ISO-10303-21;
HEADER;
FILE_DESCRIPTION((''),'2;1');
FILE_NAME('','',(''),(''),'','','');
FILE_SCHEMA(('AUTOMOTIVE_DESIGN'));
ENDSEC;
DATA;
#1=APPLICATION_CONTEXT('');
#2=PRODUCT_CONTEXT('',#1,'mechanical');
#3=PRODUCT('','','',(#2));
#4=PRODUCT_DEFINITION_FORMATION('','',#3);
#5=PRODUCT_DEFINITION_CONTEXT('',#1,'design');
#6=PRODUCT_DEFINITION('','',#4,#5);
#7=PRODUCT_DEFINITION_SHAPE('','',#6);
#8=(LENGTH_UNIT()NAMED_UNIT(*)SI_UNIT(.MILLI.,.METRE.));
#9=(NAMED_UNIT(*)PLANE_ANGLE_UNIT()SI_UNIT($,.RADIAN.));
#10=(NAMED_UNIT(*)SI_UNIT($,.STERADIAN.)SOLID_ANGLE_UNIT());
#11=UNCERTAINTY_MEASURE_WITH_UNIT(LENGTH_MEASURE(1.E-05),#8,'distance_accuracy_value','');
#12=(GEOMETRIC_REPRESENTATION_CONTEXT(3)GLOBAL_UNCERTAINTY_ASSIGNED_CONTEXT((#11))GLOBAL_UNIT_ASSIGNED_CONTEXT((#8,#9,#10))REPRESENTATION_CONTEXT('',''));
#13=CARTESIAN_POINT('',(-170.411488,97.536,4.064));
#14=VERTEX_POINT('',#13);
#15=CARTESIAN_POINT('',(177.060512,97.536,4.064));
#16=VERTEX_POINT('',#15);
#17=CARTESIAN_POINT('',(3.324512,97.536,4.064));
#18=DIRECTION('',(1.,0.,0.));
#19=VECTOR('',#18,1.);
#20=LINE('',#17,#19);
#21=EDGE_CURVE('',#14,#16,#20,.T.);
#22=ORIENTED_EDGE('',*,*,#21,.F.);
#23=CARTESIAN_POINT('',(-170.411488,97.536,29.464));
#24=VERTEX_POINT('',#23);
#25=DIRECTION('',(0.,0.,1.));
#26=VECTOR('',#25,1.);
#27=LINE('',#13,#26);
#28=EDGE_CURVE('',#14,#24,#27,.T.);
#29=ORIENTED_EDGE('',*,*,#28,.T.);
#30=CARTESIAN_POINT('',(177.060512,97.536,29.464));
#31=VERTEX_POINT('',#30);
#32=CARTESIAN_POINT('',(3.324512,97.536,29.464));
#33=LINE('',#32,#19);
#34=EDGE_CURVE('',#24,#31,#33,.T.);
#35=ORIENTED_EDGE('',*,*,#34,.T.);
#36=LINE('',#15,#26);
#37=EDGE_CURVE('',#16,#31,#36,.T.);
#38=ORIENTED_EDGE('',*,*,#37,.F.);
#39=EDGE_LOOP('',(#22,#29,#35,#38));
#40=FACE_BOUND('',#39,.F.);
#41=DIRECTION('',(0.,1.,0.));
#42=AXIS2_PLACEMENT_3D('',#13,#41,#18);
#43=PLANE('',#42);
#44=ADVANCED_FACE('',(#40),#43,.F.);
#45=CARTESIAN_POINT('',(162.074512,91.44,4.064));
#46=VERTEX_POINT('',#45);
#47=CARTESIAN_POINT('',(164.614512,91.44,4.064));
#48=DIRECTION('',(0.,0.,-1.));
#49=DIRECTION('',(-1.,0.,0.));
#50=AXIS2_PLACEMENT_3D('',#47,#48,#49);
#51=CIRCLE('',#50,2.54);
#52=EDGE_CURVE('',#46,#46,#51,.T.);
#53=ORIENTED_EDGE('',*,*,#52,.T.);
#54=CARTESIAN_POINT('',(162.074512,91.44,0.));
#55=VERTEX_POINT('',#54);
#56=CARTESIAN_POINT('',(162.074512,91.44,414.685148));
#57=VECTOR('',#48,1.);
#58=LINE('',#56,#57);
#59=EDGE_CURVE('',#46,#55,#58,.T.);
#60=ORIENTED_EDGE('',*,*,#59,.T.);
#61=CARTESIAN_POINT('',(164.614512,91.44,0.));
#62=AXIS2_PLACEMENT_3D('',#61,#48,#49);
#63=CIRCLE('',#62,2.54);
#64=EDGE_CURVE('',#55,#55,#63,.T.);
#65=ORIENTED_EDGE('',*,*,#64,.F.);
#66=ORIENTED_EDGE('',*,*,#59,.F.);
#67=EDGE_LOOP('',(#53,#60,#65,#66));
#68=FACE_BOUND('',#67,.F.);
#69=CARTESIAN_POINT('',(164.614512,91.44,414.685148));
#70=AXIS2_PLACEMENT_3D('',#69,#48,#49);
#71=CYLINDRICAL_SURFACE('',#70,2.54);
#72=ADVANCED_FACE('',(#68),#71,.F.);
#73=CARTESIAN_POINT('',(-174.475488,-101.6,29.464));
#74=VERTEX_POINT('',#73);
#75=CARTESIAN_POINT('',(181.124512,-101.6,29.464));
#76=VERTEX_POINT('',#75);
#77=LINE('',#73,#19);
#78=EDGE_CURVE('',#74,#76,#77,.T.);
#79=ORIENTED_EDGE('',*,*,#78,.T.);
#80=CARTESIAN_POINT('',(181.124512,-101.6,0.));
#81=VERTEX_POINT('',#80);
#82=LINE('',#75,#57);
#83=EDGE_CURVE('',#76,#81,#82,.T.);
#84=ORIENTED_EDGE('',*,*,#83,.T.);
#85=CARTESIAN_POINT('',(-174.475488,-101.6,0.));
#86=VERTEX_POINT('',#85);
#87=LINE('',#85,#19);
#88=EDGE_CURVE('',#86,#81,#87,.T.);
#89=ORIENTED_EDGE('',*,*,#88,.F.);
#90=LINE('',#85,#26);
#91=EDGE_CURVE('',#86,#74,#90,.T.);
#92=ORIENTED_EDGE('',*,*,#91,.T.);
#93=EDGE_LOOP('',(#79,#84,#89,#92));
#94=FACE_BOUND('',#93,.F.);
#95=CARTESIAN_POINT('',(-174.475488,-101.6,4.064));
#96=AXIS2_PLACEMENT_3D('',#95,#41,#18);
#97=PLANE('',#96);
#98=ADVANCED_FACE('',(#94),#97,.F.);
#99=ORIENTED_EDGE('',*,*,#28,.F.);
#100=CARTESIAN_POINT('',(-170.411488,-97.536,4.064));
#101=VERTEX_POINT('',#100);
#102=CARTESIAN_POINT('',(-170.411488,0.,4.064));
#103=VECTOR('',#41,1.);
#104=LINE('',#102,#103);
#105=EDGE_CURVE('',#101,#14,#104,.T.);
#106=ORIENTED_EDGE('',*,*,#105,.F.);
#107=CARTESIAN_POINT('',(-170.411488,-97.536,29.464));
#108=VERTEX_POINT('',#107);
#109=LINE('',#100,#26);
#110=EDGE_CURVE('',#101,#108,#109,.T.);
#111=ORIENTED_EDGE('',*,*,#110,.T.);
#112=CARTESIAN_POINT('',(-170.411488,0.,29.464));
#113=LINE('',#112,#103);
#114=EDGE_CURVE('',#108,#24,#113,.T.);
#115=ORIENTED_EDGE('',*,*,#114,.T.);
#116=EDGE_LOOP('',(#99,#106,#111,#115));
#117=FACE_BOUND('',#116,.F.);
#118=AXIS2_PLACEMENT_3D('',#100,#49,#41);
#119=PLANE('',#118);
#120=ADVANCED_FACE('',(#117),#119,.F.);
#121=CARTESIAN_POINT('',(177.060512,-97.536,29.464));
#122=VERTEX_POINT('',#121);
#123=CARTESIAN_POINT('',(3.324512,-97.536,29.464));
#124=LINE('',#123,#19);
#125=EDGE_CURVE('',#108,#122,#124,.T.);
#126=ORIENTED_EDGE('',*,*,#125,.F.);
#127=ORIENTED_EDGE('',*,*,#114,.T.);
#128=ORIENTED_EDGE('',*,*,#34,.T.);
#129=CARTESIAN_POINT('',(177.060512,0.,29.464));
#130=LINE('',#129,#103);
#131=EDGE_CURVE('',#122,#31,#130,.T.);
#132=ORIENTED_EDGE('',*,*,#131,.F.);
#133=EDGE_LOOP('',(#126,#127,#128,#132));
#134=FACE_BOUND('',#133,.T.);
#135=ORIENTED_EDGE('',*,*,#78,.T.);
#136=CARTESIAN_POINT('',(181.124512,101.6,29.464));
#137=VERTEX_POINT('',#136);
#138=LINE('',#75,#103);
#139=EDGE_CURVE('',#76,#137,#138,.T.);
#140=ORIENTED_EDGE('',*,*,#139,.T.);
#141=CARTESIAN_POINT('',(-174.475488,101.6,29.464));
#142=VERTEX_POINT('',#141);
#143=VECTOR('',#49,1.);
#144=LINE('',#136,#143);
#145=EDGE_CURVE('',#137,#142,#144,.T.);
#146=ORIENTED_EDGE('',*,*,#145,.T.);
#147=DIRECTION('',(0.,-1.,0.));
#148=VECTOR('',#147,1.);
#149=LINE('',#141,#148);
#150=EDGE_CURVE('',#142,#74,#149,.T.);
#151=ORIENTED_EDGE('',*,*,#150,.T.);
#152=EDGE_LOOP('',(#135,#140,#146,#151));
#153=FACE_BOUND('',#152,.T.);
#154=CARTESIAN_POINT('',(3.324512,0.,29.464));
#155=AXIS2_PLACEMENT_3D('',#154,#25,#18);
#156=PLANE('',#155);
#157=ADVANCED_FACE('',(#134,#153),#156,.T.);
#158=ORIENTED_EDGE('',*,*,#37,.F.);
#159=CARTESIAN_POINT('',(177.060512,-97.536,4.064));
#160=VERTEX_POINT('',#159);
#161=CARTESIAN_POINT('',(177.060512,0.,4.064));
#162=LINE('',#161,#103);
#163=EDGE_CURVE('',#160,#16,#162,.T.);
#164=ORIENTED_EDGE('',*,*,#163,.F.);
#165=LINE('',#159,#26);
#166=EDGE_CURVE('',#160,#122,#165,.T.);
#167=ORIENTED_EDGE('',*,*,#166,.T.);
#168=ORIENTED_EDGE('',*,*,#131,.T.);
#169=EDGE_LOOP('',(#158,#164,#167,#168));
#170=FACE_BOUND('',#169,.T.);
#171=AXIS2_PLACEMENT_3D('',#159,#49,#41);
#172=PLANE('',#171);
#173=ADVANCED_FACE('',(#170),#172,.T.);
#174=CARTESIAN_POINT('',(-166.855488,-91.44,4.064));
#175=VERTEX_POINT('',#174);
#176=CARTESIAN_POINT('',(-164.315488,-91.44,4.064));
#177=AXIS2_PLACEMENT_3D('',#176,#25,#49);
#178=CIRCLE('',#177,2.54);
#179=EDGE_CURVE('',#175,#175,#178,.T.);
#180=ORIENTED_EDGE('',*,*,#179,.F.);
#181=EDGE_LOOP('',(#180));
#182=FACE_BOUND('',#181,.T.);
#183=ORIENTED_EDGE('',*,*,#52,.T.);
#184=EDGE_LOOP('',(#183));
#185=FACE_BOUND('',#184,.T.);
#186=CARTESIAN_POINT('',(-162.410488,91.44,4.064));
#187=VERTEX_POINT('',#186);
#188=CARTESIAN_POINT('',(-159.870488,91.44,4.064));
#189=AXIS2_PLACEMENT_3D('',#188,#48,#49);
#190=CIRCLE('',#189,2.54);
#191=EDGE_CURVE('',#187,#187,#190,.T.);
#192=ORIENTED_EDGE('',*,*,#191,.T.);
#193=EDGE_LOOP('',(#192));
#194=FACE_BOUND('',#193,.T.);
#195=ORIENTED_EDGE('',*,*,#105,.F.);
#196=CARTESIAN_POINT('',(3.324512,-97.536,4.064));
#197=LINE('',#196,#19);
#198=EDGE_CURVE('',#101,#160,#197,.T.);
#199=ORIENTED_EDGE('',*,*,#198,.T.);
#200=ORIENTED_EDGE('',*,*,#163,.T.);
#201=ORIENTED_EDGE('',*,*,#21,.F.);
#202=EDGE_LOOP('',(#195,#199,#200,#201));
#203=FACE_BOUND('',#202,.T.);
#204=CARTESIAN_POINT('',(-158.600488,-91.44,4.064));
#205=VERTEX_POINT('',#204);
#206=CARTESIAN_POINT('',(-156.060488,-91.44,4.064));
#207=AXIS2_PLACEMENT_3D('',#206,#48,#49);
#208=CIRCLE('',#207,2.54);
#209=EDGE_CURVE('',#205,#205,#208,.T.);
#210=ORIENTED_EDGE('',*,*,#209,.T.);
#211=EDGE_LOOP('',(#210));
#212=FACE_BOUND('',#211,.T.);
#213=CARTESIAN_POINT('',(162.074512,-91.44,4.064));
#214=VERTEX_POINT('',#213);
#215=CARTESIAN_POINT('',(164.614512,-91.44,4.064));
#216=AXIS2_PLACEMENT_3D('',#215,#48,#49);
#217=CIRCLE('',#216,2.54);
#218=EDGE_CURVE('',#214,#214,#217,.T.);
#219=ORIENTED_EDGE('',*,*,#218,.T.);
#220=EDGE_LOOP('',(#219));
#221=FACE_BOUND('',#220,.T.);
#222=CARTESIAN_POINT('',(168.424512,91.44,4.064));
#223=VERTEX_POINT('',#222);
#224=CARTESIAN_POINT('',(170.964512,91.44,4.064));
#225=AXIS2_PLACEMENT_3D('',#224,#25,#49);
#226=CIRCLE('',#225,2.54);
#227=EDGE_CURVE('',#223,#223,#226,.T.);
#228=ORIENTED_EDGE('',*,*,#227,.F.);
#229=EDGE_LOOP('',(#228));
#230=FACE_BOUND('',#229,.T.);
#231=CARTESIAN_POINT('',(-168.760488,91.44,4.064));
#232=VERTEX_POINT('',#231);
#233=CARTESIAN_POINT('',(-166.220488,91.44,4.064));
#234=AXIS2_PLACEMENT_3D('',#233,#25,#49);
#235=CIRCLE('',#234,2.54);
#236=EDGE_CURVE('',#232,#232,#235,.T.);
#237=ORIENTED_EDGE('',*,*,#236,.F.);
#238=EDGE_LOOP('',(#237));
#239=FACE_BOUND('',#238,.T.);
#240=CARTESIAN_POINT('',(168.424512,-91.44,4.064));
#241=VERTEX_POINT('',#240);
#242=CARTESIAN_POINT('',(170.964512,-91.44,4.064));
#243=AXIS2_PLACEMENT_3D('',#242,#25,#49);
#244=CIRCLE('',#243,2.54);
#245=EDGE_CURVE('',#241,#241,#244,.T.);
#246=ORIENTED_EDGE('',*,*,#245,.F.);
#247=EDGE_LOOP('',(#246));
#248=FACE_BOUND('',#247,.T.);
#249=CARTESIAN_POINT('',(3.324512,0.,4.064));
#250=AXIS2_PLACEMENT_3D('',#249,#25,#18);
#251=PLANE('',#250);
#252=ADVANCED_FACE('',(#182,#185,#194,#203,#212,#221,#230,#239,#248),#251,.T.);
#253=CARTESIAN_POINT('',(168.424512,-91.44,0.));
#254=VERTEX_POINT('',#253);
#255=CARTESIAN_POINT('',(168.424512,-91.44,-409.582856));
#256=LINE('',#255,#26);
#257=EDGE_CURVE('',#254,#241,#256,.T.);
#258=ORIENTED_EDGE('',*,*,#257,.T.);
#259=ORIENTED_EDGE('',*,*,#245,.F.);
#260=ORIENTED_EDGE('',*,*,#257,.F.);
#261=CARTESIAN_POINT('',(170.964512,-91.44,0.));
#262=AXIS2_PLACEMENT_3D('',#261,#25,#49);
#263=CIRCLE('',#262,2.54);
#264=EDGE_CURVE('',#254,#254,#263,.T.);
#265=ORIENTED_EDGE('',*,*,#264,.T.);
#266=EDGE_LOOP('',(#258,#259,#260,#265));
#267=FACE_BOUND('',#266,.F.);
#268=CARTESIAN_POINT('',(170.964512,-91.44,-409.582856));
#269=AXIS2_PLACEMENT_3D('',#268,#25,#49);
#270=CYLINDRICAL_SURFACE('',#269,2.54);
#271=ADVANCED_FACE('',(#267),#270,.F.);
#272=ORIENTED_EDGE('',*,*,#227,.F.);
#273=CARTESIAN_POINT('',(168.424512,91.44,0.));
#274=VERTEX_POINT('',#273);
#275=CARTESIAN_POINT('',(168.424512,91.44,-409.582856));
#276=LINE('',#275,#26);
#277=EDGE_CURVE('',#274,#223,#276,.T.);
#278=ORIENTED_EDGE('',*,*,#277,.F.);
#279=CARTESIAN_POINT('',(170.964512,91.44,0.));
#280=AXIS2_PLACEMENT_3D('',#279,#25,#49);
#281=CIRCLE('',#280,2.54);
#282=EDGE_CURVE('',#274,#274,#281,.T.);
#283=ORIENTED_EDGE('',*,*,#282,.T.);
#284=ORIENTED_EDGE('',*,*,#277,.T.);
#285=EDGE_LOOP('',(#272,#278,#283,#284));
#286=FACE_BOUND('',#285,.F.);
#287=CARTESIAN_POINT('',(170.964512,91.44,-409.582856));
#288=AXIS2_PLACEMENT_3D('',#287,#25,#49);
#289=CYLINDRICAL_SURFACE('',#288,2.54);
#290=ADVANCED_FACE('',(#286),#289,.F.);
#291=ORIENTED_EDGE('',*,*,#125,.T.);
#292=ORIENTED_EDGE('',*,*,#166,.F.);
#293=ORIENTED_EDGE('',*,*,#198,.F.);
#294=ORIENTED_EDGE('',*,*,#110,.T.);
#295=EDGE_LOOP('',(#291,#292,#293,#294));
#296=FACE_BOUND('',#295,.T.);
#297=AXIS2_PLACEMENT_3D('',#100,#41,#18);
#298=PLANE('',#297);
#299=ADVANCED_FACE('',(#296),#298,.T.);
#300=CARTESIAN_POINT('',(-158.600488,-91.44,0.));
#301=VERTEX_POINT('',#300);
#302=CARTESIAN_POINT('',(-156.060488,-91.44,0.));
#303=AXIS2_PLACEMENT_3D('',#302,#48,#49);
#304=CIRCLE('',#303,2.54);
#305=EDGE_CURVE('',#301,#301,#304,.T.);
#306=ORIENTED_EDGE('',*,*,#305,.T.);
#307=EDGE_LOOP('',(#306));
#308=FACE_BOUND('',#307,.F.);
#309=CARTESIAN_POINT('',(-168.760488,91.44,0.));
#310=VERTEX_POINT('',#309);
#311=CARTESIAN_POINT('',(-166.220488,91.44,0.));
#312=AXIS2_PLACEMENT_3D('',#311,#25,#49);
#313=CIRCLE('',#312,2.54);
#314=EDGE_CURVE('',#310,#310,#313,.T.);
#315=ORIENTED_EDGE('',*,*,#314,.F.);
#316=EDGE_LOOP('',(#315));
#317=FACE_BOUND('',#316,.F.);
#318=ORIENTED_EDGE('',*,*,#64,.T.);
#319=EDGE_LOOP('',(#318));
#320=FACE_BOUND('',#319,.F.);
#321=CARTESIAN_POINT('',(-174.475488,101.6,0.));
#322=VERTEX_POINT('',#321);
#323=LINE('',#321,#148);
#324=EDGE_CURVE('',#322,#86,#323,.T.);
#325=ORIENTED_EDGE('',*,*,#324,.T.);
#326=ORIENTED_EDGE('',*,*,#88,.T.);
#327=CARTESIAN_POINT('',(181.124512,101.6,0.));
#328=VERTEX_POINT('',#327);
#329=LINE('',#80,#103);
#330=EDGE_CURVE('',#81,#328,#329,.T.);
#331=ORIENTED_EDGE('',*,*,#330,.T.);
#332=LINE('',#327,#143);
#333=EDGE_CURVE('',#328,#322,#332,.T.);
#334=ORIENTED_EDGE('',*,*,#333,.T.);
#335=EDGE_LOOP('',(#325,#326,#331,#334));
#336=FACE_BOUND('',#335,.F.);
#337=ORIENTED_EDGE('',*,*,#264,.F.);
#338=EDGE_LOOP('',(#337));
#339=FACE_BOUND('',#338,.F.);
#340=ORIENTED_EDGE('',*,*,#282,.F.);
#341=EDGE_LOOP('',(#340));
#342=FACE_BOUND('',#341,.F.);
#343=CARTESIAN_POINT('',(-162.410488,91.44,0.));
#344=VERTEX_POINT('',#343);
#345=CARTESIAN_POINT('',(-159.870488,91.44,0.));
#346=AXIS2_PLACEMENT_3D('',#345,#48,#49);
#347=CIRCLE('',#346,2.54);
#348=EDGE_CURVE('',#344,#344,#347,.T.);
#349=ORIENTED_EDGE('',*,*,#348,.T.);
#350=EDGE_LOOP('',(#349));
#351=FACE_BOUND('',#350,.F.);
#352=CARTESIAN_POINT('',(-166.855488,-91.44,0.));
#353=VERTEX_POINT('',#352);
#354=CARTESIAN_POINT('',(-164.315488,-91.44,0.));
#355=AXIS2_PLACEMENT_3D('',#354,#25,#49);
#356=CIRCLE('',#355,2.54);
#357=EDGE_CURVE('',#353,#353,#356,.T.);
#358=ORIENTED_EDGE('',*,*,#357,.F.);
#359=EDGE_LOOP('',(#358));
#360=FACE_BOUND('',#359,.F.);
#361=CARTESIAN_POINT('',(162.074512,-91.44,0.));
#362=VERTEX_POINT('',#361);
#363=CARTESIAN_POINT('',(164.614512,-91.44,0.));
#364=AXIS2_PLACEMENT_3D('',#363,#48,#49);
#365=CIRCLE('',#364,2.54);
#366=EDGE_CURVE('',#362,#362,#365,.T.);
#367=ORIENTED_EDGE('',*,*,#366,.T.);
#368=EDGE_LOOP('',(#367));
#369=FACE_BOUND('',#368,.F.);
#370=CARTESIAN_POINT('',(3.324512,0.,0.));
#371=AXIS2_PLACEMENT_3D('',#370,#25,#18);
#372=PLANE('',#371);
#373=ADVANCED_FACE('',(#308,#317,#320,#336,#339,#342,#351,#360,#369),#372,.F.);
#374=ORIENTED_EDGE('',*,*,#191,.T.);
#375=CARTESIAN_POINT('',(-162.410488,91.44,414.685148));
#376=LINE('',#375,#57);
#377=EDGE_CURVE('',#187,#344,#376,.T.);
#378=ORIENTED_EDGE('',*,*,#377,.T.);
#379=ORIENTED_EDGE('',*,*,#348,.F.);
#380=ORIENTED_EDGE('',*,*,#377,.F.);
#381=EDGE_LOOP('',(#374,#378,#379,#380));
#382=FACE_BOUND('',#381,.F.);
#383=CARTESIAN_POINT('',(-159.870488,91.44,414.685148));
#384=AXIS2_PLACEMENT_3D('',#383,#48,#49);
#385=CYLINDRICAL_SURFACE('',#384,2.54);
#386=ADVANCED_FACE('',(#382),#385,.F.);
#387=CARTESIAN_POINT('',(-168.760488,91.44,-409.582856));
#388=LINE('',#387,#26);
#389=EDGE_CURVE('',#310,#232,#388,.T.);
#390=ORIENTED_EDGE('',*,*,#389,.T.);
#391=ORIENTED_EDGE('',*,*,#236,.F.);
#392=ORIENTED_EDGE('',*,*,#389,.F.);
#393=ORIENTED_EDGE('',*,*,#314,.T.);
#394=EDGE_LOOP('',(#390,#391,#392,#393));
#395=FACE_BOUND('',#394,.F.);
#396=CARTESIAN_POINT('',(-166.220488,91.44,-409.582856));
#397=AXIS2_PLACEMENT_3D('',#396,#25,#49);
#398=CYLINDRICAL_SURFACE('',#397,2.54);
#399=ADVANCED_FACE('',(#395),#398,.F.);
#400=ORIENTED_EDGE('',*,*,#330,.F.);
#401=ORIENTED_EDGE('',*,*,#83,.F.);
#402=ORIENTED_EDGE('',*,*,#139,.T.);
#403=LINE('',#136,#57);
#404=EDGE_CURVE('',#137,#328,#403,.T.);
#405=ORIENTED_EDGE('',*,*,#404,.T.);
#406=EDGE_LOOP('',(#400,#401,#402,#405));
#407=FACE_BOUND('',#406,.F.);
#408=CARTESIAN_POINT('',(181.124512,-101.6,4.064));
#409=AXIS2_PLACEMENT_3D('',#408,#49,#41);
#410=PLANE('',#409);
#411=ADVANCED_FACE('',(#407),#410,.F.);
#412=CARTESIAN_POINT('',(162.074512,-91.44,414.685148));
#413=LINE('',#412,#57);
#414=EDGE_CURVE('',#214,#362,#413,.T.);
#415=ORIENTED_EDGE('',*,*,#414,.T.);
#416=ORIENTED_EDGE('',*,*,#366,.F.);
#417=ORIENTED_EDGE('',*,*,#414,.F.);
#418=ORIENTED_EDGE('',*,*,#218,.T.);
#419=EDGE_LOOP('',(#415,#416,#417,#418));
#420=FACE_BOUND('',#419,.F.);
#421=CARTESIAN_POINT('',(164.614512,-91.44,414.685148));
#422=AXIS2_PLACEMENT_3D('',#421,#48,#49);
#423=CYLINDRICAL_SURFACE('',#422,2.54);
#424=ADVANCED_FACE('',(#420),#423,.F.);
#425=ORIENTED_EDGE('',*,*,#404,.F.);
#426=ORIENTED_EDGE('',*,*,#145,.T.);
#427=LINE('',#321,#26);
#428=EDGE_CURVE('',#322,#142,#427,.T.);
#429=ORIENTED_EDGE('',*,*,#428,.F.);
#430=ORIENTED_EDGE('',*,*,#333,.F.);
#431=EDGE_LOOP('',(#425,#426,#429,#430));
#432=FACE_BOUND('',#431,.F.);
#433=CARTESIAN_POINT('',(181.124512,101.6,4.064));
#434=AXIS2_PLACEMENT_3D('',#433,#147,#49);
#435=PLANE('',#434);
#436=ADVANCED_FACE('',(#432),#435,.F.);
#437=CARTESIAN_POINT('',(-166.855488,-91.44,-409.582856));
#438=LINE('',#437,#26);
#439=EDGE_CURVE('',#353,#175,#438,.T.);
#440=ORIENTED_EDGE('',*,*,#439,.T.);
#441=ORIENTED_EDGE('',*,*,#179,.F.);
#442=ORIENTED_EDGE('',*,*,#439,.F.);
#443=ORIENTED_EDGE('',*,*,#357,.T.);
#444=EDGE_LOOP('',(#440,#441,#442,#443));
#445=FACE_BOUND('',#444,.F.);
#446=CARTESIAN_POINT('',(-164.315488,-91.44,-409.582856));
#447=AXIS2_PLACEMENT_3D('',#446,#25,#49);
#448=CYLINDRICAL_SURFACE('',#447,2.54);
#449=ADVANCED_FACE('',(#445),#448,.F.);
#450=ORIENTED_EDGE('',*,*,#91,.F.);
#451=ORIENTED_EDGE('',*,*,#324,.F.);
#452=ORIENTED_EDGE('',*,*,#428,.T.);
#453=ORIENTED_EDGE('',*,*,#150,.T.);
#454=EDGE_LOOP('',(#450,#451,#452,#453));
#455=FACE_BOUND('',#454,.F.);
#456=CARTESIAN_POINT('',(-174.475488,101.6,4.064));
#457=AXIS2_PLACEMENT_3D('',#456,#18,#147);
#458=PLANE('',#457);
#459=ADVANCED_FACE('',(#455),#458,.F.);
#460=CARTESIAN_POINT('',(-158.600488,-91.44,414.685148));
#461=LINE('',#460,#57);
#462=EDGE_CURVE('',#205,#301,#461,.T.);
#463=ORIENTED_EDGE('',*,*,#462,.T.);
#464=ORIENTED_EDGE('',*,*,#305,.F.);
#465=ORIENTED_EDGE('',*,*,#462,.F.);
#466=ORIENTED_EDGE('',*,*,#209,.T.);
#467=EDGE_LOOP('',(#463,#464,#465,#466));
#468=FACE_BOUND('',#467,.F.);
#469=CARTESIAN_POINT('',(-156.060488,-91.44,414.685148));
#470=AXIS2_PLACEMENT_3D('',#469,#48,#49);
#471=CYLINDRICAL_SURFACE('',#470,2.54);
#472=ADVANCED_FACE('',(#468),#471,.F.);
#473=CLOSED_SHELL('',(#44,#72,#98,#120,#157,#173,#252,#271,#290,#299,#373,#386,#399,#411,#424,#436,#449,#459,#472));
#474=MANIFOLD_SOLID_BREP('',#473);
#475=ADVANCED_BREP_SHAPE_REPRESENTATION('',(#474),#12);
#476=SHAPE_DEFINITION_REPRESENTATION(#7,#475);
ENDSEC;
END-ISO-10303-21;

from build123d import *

# Parameters (mm, degrees)
F1_DEPTH = 4.064
F3_D     = 5.08
F4_W     = 347.472
F4_H     = 195.072
F5_DEPTH = 25.4
F7_D     = 5.08


with BuildPart() as f1:
    # F0 (on Top) → F1 (new body)
    with BuildSketch(Plane.XY):
        Polygon((181.124512, 101.6), (-174.475488, 101.6), (-174.475488, 88.9), (-174.475488, -101.6), (181.124512, -101.6), (181.124512, 88.9), align=None)
    extrude(amount=F1_DEPTH)

    # F3 (through all)
    with Locations(Plane(origin=(0, 0, 0), x_dir=(1, 0, 0), z_dir=(0, 0, -1))):
        with Locations((-166.220488, -91.44), (170.964512, -91.44), (-164.315488, 91.44), (170.964512, 91.44)):
            Hole(F3_D / 2)

    # F4 (on face) → F5 (join)
    with BuildSketch(Plane.XY.offset(4.064)):
        Polygon((181.124512, 101.6), (177.060512, 101.6), (-174.475488, 101.6), (-174.475488, -101.6), (181.124512, -101.6), align=None)
        with Locations((3.324512, 0)):
            Rectangle(F4_W, F4_H, mode=Mode.SUBTRACT)
    extrude(amount=F5_DEPTH)

    # F7 (through all)
    with Locations(Plane.XY.offset(4.064)):
        with Locations((-156.060488, -91.44), (164.614512, -91.44), (164.614512, 91.44), (-159.870488, 91.44)):
            Hole(F7_D / 2)


solid = f1.part
